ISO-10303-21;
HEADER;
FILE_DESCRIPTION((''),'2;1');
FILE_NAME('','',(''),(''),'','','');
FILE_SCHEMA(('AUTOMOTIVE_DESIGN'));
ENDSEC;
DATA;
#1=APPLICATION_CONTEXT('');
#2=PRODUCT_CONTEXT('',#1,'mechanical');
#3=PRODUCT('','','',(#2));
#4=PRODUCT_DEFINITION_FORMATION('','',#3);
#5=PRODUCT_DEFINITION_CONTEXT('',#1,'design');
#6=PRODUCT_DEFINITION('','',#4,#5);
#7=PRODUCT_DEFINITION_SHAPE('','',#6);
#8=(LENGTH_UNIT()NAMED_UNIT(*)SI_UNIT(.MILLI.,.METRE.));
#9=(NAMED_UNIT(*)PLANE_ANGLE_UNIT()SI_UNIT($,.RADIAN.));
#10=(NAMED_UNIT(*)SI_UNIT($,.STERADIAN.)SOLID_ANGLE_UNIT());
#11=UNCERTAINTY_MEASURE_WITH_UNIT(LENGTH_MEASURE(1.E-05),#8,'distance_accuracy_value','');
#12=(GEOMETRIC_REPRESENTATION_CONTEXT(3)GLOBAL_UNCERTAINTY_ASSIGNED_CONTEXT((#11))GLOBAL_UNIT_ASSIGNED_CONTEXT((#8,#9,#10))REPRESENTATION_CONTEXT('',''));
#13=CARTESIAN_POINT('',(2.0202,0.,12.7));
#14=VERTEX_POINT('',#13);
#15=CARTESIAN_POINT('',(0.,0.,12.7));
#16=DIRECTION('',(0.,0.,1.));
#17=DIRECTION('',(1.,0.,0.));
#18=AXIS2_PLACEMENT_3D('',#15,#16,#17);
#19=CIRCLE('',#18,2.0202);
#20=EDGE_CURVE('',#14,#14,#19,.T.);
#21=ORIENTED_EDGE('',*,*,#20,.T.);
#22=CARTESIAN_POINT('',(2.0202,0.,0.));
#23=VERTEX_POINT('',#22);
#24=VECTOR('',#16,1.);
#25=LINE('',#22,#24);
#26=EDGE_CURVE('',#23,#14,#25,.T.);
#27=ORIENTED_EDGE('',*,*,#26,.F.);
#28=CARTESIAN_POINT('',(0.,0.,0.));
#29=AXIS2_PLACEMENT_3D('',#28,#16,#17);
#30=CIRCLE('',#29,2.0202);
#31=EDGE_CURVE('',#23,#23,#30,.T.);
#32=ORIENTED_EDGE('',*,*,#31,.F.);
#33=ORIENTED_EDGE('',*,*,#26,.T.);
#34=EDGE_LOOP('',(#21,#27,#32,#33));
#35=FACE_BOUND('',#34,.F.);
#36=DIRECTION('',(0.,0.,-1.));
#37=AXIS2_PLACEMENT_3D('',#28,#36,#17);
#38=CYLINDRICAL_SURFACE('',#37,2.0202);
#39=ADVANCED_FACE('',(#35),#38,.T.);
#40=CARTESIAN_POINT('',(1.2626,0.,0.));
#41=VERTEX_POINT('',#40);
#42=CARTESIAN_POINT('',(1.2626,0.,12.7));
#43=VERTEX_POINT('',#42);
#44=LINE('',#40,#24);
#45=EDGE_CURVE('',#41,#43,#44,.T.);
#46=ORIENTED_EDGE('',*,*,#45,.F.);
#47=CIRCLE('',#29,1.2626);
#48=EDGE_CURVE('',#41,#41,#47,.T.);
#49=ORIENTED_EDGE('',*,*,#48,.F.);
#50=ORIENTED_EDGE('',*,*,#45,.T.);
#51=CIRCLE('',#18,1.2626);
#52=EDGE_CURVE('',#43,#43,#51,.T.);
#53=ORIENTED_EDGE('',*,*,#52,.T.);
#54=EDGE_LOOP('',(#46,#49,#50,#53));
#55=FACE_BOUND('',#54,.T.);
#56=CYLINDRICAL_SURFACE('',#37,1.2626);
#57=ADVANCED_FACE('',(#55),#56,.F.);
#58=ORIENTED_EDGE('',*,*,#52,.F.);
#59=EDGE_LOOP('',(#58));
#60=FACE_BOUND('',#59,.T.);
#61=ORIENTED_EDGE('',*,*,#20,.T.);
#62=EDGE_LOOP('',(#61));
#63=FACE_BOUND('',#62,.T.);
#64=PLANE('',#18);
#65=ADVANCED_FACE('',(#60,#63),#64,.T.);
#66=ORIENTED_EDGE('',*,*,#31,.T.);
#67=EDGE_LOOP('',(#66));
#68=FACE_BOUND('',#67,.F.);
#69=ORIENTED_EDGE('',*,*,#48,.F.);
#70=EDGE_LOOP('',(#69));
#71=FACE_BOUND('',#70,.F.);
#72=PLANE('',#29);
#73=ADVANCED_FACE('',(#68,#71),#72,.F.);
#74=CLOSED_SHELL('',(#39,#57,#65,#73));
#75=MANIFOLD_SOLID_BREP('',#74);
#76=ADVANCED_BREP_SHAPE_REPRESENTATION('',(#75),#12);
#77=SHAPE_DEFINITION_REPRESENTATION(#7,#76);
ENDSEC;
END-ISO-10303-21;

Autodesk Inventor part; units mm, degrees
ref_plane "YZ Plane" through (0, 0, 0) normal (1, 0, 0) x (0, 1, 0)
ref_plane "XZ Plane" through (0, 0, 0) normal (0, 1, 0) x (-1, 0, 0)
ref_plane "XY Plane" through (0, 0, 0) normal (0, 0, 1) x (1, 0, 0)
sketch "Sketch1" plane through (0, 0, 0) normal (0, 0, 1) x (1, 0, 0)
  circle A0 centre (0, 0) radius 2.0202
  circle A1 centre (0, 0) radius 1.2626
  dimension "d0" = 12.7
extrude "Extrusion1" add sketch "Sketch1" along normal blind 12.7
properties part number "shadr"
